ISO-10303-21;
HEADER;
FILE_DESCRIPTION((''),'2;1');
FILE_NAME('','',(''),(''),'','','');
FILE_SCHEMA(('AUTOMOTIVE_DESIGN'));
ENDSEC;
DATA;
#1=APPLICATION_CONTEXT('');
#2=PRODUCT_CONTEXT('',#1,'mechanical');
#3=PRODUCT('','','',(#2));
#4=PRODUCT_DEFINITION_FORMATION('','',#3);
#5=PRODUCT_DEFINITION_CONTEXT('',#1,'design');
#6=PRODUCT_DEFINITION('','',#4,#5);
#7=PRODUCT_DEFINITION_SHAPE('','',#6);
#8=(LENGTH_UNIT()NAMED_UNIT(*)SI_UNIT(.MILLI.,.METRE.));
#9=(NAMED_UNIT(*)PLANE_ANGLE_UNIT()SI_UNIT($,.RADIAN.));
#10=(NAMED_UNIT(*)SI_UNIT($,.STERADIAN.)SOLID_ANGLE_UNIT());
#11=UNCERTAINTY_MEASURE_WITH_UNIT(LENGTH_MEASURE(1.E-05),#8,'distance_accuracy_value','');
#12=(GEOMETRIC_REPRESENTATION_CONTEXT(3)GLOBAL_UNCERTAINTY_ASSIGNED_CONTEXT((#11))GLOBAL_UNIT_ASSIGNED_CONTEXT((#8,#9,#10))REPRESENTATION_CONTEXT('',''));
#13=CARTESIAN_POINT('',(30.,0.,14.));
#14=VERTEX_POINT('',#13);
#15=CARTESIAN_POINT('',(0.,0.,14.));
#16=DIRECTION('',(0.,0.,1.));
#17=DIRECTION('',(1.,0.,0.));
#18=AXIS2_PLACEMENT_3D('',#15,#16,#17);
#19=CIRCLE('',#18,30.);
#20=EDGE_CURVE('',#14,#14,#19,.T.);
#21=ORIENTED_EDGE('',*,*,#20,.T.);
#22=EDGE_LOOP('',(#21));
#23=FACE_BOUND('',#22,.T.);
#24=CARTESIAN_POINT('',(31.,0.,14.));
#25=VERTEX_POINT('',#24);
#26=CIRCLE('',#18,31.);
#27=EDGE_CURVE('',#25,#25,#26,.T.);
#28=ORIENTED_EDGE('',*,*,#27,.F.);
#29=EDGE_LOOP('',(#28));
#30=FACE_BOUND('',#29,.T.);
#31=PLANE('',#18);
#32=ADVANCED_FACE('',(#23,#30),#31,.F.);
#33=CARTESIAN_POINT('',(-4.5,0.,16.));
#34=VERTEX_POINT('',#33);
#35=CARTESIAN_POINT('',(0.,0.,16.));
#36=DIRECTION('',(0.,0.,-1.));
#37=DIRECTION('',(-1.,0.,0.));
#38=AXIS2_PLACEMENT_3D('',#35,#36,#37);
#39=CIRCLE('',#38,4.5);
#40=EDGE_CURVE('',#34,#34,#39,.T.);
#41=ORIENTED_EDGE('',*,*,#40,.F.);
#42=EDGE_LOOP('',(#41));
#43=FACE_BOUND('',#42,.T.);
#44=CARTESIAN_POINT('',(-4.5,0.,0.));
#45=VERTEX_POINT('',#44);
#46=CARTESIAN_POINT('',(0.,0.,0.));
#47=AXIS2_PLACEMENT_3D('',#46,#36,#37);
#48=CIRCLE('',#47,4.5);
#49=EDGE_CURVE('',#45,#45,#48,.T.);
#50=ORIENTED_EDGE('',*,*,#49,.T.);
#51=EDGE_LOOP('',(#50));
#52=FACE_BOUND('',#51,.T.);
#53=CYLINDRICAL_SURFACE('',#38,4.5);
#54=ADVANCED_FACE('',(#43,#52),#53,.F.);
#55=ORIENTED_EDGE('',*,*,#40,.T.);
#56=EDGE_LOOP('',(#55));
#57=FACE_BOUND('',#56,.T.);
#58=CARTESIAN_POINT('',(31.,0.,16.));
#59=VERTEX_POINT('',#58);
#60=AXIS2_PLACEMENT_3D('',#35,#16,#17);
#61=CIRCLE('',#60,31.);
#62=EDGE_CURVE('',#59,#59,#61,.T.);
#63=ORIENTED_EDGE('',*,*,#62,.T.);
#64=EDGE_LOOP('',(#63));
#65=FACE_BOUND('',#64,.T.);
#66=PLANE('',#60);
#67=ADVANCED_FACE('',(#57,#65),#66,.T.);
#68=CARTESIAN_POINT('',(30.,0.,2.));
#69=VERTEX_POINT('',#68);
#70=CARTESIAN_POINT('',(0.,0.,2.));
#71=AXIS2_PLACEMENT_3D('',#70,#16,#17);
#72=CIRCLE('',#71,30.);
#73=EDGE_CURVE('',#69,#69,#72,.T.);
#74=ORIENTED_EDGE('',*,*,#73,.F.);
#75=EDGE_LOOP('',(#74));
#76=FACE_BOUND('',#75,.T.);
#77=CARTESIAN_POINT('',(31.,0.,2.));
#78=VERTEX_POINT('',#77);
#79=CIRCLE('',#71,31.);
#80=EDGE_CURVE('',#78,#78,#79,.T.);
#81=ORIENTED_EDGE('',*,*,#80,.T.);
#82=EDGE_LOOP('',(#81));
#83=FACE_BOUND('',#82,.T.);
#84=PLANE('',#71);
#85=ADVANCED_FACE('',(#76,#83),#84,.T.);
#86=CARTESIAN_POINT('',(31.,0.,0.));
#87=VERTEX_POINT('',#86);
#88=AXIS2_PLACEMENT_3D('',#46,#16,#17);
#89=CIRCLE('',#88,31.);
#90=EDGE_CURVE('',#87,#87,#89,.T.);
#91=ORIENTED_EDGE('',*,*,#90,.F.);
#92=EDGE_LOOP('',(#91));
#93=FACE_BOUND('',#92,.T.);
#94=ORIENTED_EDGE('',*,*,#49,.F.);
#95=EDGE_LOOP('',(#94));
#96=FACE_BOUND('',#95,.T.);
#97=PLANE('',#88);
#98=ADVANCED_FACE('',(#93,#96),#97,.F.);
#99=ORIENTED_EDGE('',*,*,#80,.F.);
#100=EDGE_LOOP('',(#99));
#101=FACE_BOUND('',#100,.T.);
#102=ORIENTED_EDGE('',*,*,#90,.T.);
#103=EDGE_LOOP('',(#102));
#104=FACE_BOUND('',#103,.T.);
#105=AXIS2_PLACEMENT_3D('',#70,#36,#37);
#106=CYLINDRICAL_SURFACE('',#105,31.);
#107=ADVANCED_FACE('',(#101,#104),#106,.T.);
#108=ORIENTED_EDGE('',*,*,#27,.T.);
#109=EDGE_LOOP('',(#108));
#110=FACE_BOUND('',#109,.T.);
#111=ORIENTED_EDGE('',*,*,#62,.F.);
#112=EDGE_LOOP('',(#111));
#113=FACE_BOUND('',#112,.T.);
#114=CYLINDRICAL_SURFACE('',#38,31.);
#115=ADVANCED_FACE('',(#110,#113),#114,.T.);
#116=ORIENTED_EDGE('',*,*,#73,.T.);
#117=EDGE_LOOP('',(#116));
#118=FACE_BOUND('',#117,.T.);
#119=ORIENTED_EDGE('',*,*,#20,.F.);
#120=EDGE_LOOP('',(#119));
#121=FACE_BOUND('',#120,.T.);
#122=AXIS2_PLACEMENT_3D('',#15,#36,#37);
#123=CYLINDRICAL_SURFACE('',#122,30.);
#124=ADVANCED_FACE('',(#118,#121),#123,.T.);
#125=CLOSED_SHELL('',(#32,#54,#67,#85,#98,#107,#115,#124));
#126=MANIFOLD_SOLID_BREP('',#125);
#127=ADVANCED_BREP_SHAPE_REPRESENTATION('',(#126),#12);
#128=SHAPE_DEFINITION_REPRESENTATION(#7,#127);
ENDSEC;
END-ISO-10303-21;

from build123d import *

# Parameters (mm, degrees)
SKETCH_1_R          = 31
EXTRUDE_1_DEPTH     = 2
SKETCH_2_R          = 30
EXTRUDE_2_DEPTH     = 12
SKETCH_3_R          = 31
EXTRUDE_3_DEPTH     = 2
SKETCH_4_R          = 4.5
CUT_EXTRUDE_1_DEPTH = 47.669047558


with BuildPart() as part:
    # 草图1 → 拉伸1 (new body)
    with BuildSketch(Plane.XY):
        Circle(SKETCH_1_R)
    extrude(amount=EXTRUDE_1_DEPTH)

    # 草图2 → 拉伸2 (add)
    with BuildSketch(Plane.XY.offset(2)):
        Circle(SKETCH_2_R)
    extrude(amount=EXTRUDE_2_DEPTH)

    # 草图3 → 拉伸3 (add)
    with BuildSketch(Plane.XY.offset(14)):
        Circle(SKETCH_3_R)
    extrude(amount=EXTRUDE_3_DEPTH)

    # 草图4 → 切除-拉伸1 (cut, through all)
    with BuildSketch(Plane(origin=(0, 0, 0), x_dir=(-1, 0, 0), z_dir=(0, 0, -1))):
        Circle(SKETCH_4_R)
    extrude(amount=-CUT_EXTRUDE_1_DEPTH, mode=Mode.SUBTRACT)


solid = part.part
